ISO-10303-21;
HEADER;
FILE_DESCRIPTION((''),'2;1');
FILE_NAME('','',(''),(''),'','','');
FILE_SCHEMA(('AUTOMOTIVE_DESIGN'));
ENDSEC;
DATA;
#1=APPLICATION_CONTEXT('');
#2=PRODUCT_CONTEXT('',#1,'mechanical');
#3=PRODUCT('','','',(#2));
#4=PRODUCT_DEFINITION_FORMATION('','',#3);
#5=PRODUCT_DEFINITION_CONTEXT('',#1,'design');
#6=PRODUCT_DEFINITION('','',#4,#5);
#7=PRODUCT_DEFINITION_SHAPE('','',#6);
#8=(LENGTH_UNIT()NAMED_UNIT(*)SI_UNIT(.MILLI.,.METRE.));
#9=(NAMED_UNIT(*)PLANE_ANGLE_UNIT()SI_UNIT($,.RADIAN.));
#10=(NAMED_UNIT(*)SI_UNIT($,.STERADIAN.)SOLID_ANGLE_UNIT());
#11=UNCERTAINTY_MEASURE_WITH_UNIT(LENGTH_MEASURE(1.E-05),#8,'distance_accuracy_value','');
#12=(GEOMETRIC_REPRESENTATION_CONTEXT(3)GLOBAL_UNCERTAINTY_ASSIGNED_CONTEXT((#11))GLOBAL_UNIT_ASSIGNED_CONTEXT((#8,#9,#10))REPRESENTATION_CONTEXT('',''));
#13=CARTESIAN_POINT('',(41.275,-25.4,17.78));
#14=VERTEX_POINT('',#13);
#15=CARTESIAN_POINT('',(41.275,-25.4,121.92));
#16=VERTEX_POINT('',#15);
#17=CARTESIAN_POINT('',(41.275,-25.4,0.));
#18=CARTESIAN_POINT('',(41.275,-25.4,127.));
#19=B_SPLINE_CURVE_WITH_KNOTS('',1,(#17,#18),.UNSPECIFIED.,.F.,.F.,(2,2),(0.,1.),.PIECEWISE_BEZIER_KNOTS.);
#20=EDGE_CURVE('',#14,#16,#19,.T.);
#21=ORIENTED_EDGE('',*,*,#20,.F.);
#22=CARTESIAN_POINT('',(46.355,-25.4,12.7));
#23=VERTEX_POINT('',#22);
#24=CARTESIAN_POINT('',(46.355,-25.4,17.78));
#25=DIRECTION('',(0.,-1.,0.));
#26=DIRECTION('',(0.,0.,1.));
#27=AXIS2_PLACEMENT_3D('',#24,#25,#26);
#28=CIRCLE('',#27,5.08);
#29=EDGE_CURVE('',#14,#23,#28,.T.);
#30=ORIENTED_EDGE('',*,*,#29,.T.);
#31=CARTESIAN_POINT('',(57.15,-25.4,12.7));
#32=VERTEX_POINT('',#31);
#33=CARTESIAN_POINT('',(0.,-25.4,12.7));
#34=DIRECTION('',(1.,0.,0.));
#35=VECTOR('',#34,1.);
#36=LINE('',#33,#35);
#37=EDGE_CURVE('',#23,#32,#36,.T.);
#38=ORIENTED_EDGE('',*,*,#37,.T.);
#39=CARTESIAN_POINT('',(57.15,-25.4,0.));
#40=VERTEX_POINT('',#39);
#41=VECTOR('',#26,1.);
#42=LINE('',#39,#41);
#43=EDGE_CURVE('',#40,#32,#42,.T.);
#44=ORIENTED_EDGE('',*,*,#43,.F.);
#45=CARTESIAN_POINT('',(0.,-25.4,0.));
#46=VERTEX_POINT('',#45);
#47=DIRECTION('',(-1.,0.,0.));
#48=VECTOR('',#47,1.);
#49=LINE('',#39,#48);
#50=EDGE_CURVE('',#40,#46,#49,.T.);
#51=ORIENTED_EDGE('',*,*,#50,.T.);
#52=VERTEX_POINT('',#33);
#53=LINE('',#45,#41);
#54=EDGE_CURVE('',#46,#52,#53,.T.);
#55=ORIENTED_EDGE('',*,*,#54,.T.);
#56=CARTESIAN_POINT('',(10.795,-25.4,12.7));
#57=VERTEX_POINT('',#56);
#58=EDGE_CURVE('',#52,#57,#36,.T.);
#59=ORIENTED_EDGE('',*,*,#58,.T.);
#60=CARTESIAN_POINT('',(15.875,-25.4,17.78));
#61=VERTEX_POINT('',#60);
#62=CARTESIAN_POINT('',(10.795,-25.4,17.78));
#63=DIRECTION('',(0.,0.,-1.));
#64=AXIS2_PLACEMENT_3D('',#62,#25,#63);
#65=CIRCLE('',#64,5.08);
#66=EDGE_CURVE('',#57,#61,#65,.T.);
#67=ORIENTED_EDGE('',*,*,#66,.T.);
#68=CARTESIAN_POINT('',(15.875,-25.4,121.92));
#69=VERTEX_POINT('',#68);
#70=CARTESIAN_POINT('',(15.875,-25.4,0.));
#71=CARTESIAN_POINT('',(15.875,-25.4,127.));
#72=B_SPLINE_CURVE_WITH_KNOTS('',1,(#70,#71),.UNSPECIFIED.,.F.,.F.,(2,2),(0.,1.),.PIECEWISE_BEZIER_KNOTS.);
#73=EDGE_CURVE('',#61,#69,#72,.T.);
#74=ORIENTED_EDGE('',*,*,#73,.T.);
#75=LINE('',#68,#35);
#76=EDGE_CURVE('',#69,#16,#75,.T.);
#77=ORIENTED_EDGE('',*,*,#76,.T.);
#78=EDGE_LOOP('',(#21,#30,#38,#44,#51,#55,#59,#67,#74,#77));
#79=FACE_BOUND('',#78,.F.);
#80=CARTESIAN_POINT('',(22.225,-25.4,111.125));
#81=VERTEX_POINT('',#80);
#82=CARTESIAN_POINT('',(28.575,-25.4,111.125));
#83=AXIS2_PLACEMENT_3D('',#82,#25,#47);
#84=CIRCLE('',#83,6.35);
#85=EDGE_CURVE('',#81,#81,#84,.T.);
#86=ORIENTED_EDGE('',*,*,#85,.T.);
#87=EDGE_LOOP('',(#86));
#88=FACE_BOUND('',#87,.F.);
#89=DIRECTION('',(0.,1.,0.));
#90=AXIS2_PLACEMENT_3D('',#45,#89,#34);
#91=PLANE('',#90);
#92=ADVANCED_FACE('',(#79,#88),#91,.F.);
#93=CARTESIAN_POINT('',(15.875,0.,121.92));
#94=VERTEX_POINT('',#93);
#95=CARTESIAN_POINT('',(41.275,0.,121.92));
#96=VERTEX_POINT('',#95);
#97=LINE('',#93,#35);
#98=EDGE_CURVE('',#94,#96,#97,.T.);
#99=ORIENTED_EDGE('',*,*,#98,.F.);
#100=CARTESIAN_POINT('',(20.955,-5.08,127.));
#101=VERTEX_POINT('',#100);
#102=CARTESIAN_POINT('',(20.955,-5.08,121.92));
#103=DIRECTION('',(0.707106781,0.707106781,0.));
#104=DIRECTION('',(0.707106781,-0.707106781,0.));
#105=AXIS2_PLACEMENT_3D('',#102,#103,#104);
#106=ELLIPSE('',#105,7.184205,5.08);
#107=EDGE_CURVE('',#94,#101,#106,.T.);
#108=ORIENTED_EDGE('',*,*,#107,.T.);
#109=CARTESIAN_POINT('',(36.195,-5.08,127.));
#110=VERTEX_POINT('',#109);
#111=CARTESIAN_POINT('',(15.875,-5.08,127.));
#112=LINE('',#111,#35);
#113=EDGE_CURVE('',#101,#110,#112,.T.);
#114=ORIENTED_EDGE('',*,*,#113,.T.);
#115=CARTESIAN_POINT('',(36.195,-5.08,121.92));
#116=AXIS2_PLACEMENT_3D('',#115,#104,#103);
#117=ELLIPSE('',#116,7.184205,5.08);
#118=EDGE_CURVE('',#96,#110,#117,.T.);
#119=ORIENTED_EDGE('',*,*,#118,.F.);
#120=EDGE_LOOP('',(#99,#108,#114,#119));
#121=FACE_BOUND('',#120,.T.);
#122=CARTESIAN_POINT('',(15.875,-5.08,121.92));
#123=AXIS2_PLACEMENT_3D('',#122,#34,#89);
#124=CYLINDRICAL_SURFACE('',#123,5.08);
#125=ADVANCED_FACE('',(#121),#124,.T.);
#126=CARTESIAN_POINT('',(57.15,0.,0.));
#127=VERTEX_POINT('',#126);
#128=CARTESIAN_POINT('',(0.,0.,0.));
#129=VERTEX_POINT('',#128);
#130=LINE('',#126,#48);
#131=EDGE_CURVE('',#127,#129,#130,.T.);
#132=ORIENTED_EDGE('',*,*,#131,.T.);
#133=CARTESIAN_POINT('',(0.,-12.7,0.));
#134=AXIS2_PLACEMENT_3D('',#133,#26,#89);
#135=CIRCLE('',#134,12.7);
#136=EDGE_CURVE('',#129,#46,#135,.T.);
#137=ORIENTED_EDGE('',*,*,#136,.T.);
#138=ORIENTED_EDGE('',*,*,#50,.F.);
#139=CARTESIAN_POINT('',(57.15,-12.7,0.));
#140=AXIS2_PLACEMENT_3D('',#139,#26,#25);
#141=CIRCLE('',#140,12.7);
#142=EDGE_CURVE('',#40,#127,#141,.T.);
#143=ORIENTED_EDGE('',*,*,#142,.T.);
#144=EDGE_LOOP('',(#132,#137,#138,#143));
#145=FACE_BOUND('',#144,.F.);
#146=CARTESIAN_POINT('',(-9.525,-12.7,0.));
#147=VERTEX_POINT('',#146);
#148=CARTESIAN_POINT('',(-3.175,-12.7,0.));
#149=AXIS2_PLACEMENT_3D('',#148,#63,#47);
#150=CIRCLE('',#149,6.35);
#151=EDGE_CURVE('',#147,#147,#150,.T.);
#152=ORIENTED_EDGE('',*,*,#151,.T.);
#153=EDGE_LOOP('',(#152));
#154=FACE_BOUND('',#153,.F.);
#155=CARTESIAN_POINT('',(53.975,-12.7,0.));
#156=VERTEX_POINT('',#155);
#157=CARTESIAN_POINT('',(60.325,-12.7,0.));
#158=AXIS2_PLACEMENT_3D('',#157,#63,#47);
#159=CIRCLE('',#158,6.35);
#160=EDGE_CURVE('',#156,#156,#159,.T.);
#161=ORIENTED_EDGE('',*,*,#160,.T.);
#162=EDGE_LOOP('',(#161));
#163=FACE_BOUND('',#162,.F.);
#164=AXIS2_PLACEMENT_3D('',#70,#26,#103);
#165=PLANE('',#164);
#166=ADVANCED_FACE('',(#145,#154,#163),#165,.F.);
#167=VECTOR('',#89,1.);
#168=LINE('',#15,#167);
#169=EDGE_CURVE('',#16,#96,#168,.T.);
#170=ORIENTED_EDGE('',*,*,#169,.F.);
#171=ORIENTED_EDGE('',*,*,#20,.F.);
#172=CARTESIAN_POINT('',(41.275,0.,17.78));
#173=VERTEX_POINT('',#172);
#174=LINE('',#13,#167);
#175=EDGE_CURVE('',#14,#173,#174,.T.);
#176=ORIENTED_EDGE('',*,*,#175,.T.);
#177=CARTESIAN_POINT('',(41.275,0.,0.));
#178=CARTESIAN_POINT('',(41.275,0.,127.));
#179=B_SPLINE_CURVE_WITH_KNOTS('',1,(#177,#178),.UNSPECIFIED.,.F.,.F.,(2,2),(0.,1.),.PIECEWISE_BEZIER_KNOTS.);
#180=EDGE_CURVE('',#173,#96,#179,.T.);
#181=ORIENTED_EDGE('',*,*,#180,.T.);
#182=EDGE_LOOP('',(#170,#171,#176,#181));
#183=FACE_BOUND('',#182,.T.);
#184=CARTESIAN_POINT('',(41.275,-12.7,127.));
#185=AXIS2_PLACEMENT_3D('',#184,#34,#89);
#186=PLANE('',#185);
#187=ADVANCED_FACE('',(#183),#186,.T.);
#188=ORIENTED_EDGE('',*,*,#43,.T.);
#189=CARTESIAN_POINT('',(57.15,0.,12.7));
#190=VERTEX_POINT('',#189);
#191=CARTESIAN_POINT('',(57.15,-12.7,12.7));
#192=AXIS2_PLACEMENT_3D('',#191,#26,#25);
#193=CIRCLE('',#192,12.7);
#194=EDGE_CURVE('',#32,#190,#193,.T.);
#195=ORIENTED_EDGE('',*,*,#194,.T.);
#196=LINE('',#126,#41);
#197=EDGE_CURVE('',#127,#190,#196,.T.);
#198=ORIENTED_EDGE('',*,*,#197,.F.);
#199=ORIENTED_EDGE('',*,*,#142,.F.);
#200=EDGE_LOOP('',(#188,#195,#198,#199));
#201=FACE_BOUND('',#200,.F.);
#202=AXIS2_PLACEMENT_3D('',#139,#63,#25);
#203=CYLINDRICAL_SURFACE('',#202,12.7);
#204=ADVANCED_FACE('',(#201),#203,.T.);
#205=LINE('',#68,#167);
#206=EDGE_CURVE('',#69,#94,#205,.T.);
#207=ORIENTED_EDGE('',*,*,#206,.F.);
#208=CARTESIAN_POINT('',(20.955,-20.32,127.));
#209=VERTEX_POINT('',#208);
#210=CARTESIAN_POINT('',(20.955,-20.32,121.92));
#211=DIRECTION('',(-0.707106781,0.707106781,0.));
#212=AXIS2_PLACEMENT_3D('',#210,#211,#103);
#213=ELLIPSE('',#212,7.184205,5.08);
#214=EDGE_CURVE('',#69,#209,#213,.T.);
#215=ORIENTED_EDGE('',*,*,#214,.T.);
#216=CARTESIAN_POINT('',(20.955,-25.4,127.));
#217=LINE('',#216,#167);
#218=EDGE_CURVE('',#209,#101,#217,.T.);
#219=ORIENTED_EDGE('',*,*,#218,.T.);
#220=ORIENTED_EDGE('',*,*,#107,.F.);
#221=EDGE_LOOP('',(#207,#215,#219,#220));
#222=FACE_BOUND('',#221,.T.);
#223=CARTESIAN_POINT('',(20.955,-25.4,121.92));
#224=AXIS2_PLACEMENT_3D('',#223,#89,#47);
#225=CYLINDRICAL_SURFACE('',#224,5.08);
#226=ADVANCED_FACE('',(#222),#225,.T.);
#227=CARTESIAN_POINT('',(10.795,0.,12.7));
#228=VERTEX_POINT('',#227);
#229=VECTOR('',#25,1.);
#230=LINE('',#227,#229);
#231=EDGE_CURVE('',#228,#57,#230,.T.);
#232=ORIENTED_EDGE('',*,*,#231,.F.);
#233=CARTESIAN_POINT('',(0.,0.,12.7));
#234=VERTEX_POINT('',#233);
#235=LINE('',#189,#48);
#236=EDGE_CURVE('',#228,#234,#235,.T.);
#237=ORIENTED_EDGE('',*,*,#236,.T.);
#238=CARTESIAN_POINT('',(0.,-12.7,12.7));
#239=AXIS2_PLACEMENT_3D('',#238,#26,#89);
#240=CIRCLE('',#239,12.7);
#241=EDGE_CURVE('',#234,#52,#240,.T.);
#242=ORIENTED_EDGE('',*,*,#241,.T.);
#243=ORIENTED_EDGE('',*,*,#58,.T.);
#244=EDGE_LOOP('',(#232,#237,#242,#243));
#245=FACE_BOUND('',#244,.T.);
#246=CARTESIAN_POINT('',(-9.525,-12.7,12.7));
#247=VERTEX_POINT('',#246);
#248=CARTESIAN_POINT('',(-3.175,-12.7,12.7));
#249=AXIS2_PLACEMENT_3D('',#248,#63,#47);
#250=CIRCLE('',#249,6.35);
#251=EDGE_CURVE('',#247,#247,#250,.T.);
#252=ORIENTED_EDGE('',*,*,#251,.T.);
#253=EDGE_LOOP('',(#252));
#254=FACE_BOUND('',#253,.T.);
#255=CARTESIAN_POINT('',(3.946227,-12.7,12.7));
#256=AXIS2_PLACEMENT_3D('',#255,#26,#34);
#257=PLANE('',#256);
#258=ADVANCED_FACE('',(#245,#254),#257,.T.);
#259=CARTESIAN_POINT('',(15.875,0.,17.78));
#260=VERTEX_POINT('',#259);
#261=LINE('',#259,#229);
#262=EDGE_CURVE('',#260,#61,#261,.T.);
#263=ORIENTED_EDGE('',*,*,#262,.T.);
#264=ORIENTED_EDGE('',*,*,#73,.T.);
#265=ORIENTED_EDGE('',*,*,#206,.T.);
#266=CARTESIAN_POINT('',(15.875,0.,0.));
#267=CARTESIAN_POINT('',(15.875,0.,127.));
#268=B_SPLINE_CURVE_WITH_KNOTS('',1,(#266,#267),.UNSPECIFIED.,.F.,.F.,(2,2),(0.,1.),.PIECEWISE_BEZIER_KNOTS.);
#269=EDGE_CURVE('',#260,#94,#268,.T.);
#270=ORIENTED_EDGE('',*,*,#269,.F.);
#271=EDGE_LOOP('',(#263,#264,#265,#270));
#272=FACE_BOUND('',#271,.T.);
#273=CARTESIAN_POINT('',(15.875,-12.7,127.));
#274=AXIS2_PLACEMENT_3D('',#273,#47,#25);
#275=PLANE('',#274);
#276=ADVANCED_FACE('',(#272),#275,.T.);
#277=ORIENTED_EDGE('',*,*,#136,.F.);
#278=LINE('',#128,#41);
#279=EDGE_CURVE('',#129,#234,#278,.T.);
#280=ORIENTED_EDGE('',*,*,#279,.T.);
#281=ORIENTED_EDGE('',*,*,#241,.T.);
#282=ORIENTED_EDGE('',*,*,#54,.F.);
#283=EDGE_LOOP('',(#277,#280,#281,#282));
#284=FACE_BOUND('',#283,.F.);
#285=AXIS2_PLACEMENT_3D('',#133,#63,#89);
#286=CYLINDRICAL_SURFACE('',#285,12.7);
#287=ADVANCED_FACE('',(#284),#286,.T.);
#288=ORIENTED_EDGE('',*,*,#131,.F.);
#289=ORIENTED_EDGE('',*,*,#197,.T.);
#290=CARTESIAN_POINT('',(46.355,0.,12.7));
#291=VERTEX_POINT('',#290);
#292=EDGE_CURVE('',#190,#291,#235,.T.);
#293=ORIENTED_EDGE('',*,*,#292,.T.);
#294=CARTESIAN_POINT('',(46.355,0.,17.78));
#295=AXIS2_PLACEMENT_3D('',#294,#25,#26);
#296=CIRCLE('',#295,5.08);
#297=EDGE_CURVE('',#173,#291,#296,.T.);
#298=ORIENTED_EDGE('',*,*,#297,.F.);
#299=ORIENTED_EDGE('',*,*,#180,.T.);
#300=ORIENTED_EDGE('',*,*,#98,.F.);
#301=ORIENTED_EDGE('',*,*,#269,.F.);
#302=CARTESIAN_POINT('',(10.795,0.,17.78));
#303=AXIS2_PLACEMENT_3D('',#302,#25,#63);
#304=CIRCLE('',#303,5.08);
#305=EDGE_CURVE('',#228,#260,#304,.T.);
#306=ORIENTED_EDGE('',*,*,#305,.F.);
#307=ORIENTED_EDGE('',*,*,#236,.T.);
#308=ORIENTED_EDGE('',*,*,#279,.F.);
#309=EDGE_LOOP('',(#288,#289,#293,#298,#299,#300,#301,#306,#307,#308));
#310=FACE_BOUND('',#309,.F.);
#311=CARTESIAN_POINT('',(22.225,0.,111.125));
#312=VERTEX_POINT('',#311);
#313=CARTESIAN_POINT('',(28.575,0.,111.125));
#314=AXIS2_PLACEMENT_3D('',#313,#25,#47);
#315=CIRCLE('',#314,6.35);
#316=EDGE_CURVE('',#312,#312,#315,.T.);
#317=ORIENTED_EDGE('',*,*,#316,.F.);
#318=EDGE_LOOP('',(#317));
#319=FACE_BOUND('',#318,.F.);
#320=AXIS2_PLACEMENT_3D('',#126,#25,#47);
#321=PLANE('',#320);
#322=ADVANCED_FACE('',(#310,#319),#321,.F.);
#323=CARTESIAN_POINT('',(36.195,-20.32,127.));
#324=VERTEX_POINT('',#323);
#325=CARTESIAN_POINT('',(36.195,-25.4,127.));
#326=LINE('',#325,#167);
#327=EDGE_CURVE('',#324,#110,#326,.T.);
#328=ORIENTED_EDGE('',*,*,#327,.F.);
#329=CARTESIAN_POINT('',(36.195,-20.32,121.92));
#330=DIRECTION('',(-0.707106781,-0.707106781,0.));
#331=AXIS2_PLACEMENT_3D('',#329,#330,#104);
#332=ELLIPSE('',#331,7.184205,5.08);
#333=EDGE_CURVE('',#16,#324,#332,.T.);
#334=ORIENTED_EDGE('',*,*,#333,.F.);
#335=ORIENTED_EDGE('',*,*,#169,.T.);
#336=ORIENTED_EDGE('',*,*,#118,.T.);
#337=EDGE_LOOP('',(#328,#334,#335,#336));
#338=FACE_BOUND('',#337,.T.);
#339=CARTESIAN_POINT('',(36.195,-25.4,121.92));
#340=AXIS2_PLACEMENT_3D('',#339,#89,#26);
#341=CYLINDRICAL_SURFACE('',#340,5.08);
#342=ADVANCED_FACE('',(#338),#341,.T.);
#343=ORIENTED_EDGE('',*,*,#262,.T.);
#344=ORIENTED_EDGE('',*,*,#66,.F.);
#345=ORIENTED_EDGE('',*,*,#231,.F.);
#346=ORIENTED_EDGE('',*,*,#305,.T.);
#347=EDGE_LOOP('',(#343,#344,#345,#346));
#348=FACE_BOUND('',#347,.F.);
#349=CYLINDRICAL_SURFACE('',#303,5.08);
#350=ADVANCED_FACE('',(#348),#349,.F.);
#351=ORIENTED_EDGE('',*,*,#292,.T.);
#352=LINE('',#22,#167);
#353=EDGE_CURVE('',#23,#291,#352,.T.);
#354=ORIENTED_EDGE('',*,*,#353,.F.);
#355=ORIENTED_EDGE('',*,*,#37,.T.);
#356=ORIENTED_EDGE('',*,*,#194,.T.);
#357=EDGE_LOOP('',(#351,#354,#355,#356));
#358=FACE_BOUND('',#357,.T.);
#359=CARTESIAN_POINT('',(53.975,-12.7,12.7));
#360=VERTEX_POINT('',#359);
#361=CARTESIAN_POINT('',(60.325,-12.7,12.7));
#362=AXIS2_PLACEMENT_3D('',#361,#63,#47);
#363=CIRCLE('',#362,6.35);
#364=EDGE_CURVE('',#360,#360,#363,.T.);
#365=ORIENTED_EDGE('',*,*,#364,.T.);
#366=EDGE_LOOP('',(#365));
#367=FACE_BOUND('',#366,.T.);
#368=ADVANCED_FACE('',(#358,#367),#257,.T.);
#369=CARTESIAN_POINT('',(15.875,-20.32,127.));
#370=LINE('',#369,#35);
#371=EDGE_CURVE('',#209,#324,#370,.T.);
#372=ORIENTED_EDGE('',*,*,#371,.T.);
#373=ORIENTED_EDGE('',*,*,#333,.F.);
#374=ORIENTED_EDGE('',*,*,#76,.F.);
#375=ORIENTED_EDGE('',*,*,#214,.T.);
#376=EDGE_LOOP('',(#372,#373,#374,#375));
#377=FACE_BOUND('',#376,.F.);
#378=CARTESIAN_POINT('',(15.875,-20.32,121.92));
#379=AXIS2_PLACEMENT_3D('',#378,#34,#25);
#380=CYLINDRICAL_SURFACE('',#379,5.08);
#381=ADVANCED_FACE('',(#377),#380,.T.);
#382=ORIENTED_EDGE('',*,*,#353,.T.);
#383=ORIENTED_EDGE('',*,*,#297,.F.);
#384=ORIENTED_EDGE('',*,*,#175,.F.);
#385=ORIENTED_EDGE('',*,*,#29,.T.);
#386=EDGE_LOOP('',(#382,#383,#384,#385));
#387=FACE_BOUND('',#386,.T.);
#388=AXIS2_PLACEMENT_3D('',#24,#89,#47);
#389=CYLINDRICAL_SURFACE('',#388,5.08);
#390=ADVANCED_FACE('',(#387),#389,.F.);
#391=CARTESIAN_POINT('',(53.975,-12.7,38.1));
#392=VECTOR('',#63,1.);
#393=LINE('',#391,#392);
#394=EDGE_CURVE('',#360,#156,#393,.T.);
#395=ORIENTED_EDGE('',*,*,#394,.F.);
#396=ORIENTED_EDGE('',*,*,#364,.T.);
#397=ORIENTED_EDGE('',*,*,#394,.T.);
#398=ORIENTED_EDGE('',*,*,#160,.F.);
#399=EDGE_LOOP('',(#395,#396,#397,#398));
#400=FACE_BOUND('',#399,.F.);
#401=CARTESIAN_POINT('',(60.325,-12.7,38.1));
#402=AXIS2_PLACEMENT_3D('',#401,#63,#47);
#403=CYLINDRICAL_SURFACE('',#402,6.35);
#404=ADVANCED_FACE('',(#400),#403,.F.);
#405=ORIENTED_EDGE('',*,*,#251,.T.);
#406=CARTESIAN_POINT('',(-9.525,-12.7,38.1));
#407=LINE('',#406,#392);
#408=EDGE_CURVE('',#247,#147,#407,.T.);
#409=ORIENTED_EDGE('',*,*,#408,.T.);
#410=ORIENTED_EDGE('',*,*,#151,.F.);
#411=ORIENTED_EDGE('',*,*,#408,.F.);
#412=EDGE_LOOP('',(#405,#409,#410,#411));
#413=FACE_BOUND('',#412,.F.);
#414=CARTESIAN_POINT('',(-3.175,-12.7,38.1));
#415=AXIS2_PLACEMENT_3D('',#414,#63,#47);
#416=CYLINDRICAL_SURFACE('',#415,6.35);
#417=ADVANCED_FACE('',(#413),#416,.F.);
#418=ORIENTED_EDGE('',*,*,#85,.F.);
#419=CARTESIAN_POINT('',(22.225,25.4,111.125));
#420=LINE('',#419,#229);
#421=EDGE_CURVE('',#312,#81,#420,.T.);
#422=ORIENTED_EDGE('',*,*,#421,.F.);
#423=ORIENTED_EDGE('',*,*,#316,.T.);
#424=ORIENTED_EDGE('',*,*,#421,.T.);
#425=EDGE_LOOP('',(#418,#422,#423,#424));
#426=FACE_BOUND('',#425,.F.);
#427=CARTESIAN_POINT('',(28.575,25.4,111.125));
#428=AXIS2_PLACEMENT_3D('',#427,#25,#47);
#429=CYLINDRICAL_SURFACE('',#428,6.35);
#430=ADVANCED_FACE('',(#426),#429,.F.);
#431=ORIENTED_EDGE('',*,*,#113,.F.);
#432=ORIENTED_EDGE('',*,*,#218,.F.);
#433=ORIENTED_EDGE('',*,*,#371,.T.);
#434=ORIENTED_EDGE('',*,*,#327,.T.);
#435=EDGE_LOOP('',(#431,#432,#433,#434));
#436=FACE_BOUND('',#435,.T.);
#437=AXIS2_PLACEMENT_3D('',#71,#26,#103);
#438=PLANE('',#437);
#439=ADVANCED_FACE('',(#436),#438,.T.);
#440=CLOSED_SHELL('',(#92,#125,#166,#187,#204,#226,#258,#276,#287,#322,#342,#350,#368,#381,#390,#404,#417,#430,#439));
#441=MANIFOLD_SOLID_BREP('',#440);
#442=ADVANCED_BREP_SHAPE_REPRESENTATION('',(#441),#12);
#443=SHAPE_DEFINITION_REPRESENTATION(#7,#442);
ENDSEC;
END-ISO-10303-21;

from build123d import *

# Parameters (mm, degrees)
F0_W     = 25.4
F0_H     = 25.4
F1_DEPTH = 12.7
F3_W     = 25.4
F3_H     = 25.4
F5_R     = 5.08
F7_D     = 12.7
F7_DEPTH = 25.4
F7_TIP   = 3.8154649308
F9_D     = 12.7
F9_DEPTH = 25.4
F9_TIP   = 3.8154649308


with BuildPart() as f1:
    # F0 (on Top) → F1 (new body)
    with BuildSketch(Plane.XY):
        with BuildLine():
            Line((15.875, 0), (0, 0))
            ThreePointArc((0, 0), (-12.7, -12.7), (0, -25.4))
            Line((0, -25.4), (15.875, -25.4))
            Line((15.875, -25.4), (15.875, 0))
        make_face()
        with Locations((28.575, -12.7)):
            Rectangle(F0_W, F0_H)
        with BuildLine():
            Line((57.15, 0), (41.275, 0))
            Line((41.275, 0), (41.275, -25.4))
            Line((41.275, -25.4), (57.15, -25.4))
            ThreePointArc((57.15, -25.4), (69.85, -12.7), (57.15, 0))
        make_face()
    extrude(amount=F1_DEPTH)

    # F0 (on Top) → F4 section 0
    with BuildSketch(Plane.XY):
        with Locations((28.575, -12.7)):
            Rectangle(F0_W, F0_H)
    # F3 (on offset) → F4 section 1
    with BuildSketch(Plane.XY.offset(127)):
        with Locations((28.575, -12.7)):
            Rectangle(F3_W, F3_H)
    loft()

    # F5
    f5_edges = [f1.edges().sort_by_distance(p)[0] for p in [
        (41.275, -12.7, 12.7),
        (15.875, -12.7, 12.7),
        (28.575, 0, 127),
        (15.875, -12.7, 127),
        (28.575, -25.4, 127),
        (41.275, -12.7, 127),
    ]]
    fillet(f5_edges, radius=F5_R)

    # F7
    with Locations(Plane(origin=(0, 0, 0), x_dir=(1, 0, 0), z_dir=(0, 1, 0))):
        with Locations((28.575, -111.125)):
            Hole(F7_D / 2, depth=F7_DEPTH)
            with Locations((0, 0, -(F7_DEPTH + F7_TIP / 2))):  # 118° drill point
                Cone(0, F7_D / 2, F7_TIP, mode=Mode.SUBTRACT)

    # F9
    with Locations(Plane.XY.offset(12.7)):
        with Locations((-3.175, -12.7), (60.325, -12.7)):
            Hole(F9_D / 2, depth=F9_DEPTH)
            with Locations((0, 0, -(F9_DEPTH + F9_TIP / 2))):  # 118° drill point
                Cone(0, F9_D / 2, F9_TIP, mode=Mode.SUBTRACT)


solid = f1.part
